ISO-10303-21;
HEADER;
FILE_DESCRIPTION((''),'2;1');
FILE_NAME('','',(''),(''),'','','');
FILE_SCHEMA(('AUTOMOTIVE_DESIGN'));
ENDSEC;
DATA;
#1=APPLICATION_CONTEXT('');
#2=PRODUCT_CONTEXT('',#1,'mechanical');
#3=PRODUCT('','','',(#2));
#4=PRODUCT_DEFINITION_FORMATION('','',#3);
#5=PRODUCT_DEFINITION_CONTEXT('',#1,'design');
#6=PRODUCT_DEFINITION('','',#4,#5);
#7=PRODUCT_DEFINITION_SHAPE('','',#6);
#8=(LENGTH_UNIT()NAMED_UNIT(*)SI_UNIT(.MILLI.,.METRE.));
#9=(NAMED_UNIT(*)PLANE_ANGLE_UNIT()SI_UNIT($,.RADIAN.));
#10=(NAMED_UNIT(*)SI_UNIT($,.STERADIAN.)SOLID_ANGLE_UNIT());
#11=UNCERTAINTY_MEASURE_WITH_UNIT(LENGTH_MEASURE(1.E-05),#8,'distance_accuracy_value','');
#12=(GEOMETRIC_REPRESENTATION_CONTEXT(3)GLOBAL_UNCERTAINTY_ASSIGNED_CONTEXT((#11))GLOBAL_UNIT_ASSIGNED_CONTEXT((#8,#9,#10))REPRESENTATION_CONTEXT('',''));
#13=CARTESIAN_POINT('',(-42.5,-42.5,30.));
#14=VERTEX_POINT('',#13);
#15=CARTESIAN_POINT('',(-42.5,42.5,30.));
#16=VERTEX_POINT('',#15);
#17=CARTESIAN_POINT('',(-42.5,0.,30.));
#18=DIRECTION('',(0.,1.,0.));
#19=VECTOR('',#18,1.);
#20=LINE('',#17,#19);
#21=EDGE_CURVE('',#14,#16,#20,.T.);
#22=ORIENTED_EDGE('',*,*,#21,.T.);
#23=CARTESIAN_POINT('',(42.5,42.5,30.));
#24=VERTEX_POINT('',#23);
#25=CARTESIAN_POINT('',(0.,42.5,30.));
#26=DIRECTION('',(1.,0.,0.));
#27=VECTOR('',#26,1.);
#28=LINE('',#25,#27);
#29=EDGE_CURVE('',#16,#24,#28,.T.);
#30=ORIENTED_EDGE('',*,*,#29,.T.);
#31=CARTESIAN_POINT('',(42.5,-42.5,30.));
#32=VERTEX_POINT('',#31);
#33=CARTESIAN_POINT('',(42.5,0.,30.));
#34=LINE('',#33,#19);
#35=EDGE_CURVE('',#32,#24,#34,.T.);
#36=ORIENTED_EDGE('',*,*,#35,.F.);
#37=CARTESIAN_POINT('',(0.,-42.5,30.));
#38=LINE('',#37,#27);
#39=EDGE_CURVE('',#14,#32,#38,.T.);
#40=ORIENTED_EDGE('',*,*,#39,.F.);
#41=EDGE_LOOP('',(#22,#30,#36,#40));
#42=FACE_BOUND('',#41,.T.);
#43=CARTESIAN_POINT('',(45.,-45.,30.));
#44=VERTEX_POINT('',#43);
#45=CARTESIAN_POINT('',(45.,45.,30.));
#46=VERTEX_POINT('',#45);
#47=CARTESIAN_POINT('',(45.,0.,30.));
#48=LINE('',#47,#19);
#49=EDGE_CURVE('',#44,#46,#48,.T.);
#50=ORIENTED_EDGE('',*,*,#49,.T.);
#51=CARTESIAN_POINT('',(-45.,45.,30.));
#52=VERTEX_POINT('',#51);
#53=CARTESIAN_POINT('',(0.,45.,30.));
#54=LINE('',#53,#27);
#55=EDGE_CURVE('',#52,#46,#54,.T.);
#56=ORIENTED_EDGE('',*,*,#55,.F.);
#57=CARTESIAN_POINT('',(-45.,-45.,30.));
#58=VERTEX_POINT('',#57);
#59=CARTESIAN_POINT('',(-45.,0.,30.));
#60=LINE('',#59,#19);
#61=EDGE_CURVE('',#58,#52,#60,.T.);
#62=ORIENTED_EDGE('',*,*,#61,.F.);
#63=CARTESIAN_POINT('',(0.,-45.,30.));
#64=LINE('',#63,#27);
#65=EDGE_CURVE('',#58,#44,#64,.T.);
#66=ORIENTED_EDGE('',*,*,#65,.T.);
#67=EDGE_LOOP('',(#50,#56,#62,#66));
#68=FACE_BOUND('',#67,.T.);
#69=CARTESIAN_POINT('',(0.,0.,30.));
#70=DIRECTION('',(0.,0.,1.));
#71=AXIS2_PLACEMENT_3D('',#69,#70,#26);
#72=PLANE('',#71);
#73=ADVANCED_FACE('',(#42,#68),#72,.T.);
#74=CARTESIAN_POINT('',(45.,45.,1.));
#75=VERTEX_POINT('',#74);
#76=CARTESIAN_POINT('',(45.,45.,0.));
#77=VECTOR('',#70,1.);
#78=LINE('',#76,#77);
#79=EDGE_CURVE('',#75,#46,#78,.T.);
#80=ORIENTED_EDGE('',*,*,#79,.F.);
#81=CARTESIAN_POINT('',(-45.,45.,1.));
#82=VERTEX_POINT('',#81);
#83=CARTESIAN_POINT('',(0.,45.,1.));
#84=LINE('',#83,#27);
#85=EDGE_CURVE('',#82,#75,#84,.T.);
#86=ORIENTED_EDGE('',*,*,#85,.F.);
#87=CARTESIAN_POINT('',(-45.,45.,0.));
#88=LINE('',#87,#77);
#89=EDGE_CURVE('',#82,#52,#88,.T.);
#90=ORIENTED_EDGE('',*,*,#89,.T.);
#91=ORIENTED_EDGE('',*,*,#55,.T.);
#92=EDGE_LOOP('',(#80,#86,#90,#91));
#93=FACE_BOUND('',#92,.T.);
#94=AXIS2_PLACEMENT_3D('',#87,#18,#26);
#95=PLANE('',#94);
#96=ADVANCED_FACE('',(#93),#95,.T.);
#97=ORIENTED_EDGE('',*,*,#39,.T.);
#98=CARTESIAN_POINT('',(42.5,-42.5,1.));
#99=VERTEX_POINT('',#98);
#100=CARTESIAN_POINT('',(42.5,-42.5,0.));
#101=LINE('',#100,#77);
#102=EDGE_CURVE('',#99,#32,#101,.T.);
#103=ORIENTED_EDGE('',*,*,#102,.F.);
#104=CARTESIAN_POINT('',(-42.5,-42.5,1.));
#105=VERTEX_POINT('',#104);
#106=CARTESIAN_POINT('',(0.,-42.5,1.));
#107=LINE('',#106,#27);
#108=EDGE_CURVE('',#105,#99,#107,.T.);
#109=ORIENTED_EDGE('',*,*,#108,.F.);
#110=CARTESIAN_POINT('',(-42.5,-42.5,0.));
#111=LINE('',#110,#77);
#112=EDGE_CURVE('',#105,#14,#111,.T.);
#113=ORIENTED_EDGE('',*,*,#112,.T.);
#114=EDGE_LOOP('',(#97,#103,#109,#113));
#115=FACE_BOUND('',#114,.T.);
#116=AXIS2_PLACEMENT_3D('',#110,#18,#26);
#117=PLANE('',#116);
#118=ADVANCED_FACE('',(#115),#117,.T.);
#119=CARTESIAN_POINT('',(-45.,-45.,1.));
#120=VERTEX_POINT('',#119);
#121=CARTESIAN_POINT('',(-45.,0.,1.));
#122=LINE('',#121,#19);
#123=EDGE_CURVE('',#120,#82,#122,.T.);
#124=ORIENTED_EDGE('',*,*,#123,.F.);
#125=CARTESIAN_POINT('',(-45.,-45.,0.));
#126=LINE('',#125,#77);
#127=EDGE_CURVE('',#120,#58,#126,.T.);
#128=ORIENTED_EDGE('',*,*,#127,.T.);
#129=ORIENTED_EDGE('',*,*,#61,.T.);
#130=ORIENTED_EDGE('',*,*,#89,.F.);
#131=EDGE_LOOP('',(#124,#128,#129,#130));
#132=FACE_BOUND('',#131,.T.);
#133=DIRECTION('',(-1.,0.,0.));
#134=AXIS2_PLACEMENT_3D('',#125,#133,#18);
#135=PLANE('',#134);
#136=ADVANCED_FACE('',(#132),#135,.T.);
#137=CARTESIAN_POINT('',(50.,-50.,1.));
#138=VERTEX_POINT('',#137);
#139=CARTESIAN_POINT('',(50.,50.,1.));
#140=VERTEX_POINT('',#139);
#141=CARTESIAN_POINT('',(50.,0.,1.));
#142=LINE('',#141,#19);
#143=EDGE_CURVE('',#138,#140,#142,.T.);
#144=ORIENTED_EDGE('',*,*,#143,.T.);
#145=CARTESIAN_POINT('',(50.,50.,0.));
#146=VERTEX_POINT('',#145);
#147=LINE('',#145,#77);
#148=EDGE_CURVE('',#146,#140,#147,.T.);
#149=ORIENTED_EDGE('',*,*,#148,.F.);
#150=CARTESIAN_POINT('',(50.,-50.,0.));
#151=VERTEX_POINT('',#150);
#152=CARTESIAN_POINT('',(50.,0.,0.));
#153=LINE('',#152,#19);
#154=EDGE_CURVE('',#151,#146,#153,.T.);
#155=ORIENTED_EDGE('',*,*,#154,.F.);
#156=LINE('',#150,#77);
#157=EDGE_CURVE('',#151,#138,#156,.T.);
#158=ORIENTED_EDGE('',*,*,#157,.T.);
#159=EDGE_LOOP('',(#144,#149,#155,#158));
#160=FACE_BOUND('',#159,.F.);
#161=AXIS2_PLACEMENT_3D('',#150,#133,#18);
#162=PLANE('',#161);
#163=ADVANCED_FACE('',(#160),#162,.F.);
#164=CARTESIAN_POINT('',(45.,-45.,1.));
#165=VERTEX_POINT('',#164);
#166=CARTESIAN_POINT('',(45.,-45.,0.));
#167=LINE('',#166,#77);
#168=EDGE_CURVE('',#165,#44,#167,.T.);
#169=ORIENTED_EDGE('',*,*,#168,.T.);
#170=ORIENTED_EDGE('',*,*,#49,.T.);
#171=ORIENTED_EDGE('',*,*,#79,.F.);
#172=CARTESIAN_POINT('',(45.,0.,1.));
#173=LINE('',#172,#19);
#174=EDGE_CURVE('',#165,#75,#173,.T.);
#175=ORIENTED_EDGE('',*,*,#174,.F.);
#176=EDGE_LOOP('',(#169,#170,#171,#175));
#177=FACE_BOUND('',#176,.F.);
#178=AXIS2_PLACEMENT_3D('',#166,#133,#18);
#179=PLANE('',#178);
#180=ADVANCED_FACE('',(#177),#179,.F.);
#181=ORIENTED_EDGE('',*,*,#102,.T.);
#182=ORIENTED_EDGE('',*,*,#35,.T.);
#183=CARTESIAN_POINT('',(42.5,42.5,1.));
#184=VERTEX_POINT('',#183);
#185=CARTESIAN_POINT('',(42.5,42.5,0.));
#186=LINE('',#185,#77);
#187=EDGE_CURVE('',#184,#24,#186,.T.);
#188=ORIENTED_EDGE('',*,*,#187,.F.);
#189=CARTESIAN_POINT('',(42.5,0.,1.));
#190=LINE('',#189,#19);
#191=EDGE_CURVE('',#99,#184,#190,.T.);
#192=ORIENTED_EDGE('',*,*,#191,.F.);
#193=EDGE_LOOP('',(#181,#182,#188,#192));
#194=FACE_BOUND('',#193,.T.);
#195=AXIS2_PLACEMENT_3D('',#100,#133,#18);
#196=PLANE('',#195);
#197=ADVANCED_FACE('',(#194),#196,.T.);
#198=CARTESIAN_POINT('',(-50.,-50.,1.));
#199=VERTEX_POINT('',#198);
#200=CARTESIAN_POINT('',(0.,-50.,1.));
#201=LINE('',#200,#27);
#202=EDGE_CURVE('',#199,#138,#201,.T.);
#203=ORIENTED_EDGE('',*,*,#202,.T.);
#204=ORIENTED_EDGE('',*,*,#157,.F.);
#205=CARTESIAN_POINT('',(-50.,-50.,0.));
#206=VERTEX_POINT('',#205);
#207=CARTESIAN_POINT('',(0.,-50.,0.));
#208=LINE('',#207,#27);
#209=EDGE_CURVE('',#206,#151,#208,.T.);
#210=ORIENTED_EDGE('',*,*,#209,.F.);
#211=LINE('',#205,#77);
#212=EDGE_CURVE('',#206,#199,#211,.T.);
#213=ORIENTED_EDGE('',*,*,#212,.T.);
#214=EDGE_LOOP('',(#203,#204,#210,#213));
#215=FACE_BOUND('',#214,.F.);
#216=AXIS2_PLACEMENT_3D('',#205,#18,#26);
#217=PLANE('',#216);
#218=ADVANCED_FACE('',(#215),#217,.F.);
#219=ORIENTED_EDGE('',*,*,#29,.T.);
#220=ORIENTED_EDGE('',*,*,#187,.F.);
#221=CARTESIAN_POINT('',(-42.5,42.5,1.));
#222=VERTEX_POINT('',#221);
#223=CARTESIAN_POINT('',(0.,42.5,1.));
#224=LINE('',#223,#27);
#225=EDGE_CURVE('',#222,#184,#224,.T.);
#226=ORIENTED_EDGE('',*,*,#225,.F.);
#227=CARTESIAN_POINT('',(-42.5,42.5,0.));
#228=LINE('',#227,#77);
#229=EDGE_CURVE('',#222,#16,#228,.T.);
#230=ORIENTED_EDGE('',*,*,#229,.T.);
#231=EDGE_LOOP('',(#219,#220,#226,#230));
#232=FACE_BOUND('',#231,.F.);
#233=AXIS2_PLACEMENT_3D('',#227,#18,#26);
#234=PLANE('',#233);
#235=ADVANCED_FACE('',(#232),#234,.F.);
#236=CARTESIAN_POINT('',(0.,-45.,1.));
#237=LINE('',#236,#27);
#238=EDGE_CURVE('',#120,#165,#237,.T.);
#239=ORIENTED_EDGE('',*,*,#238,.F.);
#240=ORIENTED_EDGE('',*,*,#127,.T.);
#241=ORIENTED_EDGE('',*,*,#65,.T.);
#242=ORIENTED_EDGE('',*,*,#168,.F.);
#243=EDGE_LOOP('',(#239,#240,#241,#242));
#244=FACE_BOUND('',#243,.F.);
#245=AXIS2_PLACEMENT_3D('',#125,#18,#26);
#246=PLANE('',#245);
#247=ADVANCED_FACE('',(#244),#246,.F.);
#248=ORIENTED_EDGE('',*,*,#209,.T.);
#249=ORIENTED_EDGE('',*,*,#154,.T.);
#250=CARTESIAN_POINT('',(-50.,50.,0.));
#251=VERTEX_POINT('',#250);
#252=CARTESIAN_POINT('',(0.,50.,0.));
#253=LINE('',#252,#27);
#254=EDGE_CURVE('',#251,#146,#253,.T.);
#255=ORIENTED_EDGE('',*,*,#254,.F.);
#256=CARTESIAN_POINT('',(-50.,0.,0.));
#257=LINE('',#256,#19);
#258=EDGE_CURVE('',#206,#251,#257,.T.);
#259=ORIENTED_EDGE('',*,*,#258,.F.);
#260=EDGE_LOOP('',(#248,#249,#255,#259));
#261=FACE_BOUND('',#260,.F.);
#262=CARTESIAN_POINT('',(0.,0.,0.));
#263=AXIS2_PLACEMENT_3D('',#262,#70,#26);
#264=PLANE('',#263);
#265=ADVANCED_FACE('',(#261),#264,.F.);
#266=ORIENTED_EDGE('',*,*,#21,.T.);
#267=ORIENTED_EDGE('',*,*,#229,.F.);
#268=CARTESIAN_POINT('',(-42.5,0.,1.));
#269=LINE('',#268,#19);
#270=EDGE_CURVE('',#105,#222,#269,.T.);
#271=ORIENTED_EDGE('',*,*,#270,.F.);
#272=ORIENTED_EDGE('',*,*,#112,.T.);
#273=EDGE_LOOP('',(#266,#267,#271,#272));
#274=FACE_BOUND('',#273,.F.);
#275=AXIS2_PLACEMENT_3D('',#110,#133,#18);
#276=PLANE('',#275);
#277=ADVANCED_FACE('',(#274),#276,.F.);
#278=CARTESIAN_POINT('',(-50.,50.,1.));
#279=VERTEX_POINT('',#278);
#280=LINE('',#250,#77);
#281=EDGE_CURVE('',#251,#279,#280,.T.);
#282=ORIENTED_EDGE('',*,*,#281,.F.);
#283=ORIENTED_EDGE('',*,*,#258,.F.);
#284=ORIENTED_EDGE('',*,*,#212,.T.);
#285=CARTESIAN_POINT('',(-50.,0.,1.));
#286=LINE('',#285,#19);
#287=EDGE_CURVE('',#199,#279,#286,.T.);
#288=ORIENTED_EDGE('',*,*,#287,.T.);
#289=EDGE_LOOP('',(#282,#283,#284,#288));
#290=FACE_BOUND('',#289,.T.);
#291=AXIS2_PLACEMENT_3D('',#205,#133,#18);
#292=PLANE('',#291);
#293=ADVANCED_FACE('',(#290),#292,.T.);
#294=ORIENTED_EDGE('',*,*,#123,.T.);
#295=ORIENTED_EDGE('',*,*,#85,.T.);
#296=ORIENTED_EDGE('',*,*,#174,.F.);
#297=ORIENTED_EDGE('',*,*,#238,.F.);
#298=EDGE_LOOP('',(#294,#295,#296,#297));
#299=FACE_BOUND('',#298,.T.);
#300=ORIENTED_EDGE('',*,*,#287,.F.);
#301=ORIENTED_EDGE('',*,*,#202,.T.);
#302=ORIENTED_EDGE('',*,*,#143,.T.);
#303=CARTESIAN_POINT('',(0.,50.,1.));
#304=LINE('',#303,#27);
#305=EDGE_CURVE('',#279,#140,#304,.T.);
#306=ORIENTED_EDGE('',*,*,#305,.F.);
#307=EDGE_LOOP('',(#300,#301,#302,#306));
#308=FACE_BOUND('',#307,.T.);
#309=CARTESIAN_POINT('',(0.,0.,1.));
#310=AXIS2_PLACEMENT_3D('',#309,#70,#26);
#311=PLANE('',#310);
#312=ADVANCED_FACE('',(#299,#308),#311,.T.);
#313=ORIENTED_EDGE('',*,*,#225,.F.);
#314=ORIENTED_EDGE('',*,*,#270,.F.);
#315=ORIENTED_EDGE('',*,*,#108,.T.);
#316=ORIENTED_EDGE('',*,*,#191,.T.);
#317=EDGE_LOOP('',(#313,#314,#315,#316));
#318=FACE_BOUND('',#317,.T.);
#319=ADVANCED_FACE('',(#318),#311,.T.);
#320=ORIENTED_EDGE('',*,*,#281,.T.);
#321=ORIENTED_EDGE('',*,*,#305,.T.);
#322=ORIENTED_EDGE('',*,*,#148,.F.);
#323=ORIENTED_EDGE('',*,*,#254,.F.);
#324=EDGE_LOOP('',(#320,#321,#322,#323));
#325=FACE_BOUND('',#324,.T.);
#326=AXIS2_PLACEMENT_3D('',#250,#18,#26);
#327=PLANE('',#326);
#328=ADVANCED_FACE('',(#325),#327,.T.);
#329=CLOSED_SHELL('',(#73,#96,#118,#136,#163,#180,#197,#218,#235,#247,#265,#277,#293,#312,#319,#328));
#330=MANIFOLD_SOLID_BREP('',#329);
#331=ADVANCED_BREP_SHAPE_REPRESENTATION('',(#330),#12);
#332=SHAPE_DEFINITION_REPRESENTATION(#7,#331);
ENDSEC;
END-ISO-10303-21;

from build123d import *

# Parameters (mm, degrees)
F0_W     = 90
F0_H     = 90
F0_W_2   = 85
F0_H_2   = 85
F1_DEPTH = 30
F0_W_3   = 100
F0_H_3   = 100
F2_DEPTH = 1


with BuildPart() as f1:
    # F0 (on Top) → F1 (new body)
    with BuildSketch(Plane.XY):
        Rectangle(F0_W, F0_H)
        Rectangle(F0_W_2, F0_H_2, mode=Mode.SUBTRACT)
    extrude(amount=F1_DEPTH)

    # F0 (on Top) → F2 (join)
    with BuildSketch(Plane.XY):
        Rectangle(F0_W_3, F0_H_3)
        Rectangle(F0_W, F0_H, mode=Mode.SUBTRACT)
        Rectangle(F0_W_2, F0_H_2)
    extrude(amount=F2_DEPTH)


solid = f1.part
